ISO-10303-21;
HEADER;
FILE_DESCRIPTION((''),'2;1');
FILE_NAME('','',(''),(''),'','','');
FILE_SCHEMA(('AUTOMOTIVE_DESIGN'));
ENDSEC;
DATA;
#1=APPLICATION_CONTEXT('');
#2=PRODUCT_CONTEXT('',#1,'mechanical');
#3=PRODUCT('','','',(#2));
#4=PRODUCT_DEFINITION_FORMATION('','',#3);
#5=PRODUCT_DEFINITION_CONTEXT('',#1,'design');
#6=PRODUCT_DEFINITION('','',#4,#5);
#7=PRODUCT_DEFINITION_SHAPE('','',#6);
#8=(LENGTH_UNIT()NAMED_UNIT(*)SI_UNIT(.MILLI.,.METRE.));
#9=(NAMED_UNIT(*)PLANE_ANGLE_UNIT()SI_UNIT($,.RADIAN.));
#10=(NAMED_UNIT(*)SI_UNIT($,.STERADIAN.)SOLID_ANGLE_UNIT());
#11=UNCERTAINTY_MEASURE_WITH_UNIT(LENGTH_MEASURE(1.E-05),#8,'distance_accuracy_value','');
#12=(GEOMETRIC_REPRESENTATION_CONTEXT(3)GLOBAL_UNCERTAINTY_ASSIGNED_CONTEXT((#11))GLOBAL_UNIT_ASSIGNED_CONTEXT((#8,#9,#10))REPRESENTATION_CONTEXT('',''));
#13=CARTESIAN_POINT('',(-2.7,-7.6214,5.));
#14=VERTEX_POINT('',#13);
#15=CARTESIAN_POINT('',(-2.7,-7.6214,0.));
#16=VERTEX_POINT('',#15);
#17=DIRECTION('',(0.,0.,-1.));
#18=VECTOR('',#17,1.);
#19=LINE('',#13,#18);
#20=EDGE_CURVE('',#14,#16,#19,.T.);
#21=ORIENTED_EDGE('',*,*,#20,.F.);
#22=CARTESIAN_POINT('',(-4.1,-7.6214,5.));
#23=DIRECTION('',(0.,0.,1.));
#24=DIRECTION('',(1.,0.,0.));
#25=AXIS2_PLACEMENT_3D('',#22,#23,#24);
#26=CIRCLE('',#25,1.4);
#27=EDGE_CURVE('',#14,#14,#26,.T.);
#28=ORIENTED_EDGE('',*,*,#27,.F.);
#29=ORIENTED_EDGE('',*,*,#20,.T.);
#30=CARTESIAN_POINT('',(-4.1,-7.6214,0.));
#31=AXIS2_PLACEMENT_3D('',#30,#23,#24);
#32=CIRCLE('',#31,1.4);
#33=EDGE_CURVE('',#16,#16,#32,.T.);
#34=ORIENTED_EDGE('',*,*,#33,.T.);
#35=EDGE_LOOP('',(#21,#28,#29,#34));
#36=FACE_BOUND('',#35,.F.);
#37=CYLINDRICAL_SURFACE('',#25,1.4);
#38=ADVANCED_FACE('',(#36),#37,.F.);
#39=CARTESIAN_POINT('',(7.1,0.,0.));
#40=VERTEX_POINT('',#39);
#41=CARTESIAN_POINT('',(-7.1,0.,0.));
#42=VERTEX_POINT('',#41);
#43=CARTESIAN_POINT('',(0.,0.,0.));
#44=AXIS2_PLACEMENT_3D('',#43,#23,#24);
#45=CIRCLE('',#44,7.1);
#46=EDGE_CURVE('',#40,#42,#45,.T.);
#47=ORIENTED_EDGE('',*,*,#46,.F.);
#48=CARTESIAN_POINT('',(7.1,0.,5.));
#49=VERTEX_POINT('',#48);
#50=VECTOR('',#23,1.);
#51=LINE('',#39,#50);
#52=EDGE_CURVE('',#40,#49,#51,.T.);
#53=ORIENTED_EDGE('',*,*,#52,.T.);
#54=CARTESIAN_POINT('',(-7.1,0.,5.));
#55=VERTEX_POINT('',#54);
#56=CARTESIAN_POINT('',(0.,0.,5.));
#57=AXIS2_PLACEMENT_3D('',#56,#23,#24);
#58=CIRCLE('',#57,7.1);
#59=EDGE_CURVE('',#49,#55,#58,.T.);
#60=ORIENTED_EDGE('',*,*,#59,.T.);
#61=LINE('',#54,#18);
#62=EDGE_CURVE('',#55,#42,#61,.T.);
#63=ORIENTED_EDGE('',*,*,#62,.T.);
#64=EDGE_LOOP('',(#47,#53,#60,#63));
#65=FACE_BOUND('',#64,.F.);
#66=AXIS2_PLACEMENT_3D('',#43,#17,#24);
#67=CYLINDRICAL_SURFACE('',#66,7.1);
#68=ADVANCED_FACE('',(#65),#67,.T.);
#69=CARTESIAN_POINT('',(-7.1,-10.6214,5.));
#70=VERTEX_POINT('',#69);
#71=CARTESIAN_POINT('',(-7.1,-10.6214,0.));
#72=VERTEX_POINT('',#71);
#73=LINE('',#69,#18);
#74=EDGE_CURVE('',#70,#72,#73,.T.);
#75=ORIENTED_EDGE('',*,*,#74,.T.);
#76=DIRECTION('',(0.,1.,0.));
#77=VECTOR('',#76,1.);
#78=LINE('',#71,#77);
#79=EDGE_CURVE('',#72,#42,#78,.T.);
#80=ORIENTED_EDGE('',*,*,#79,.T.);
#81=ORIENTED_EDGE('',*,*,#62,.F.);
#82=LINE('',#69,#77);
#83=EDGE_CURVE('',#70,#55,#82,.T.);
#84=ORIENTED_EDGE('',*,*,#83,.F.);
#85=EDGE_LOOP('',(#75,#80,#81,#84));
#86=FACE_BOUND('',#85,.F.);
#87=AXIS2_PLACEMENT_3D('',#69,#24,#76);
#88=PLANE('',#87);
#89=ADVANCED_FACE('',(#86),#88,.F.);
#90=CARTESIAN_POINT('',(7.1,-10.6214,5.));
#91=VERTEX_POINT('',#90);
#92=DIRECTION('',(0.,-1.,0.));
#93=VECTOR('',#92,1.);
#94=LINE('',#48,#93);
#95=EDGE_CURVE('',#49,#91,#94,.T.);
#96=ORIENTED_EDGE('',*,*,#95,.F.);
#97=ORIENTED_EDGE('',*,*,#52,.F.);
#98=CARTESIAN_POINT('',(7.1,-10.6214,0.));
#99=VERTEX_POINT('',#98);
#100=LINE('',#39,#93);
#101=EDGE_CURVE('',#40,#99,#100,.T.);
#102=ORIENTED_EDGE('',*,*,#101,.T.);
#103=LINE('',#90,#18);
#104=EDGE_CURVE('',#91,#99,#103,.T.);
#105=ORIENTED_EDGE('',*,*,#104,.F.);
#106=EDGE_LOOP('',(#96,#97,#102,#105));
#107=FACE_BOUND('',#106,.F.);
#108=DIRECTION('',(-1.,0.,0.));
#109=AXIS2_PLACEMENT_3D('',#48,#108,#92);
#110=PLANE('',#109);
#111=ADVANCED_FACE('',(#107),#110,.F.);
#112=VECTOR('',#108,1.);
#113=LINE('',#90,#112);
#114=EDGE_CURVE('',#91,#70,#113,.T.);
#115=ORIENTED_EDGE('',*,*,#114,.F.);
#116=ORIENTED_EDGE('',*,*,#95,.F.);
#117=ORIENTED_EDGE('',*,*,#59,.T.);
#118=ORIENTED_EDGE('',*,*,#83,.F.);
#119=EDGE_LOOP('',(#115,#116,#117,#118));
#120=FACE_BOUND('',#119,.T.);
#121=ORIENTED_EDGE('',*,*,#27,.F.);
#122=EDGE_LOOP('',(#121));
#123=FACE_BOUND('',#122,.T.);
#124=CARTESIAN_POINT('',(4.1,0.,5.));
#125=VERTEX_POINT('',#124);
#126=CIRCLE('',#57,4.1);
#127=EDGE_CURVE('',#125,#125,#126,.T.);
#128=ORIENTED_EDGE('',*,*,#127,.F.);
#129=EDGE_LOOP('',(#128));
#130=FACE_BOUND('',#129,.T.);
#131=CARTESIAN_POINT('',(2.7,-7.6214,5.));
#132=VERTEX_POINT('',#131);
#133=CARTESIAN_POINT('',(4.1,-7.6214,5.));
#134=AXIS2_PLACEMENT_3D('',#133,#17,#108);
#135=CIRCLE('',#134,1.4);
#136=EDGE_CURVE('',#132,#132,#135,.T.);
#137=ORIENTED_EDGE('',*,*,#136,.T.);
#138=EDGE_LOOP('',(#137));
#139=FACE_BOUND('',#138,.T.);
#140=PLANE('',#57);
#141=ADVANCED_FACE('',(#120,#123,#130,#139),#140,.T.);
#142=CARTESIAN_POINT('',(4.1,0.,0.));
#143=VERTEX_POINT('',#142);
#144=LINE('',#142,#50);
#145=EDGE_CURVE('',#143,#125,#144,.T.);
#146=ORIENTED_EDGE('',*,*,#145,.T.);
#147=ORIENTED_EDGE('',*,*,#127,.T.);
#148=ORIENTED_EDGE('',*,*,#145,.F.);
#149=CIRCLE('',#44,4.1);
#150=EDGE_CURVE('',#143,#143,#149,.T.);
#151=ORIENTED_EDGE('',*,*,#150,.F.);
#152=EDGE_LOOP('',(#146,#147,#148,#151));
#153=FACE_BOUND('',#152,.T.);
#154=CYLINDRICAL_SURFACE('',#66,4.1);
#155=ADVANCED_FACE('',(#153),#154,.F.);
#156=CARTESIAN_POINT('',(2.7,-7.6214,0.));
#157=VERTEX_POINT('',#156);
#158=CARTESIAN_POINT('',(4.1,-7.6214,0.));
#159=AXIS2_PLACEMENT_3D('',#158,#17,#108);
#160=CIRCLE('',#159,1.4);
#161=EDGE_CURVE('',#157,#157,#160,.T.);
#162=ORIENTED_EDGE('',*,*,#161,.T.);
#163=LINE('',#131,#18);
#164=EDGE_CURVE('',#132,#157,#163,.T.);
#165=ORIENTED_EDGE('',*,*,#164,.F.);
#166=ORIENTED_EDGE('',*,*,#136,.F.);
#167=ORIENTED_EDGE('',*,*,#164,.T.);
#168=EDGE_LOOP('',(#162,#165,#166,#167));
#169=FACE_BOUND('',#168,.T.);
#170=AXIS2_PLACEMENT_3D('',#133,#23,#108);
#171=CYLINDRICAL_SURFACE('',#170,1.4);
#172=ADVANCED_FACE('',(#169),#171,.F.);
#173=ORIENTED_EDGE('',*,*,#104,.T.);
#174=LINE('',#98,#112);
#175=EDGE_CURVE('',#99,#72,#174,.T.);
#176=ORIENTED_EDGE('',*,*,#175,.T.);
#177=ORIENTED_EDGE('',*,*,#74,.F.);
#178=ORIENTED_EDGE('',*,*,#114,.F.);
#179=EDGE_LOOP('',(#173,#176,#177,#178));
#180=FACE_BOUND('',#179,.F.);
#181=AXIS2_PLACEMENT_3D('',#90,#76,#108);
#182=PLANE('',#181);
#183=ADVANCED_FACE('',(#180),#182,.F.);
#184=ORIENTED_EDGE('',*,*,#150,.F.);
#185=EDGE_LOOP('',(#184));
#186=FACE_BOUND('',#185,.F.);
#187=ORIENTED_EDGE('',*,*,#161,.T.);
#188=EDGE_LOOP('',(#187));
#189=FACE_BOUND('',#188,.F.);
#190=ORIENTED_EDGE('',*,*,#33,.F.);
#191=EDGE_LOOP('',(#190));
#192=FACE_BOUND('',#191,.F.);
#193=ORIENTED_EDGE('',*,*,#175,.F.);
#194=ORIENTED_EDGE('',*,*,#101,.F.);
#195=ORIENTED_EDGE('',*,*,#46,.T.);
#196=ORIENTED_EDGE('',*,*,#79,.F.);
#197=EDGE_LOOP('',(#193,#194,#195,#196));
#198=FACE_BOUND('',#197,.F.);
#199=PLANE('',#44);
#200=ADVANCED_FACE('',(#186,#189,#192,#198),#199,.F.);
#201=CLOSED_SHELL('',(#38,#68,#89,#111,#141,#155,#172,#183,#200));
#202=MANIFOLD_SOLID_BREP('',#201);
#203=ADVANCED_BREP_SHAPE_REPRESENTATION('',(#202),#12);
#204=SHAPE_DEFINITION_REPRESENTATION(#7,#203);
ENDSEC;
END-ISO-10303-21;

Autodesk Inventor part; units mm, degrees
ref_plane "YZ Plane" through (0, 0, 0) normal (1, 0, 0) x (0, 1, 0)
ref_plane "XZ Plane" through (0, 0, 0) normal (0, 1, 0) x (-1, 0, 0)
sketch "草图1" plane through (0, 0, 0) normal (0, 0, 1) x (1, 0, 0)
  circle A0 centre (0, 0) radius 4.1
  circle A1 centre (0, 0) radius 7.1
  dimension "d0" = 8.2
  dimension "d1" = 3
extrude "拉伸1" add sketch "草图1" along normal blind 5
sketch "草图2" plane through (0, 0, 5) normal (0, 0, 1) x (1, 0, 0)
  point P0 (0, 0)
sketch "草图3" plane through (0, 0, 5) normal (0, 0, 1) x (1, 0, 0)
  circle A0 centre (0, 0) radius 7.1 projected
  line L0 (-7.1, 0) -> (7.1, 0)
  line L1 (7.1, 0) -> (7.1, -10.6214)
  line L2 (7.1, -10.6214) -> (-7.1, -10.6214)
  line L3 (-7.1, -10.6214) -> (-7.1, 0)
  line L4 (-7.9158, -10.621) -> (28.0842, -10.6393) projected
  point P0 (7.1, 0)
extrude "拉伸2" add sketch "草图3" against normal blind 5 contours L1 L2 L3 A0
sketch "草图4" plane through (0, 0, 5) normal (0, 0, 1) x (1, 0, 0)
  circle A0 centre (-4.1, -7.6214) radius 1.4
  line L0 (-7.1, -10.6214) -> (7.1, -10.6214) projected
  line L1 (-7.1, 0) -> (-7.1, -10.6214) projected
  point P0 (0, 0)
  dimension "d6" = 2.8
  dimension "d7" = 3
  dimension "d8" = 3
extrude "拉伸3" cut sketch "草图4" against normal blind 5
ref_plane "工作平面1" through (0, -10.6214, 5) normal (1, 0, 0) x (0, 0, -1)
mirror "镜像1" about plane through (0, -10.6214, 5) normal (1, 0, 0) of "拉伸3"
properties part number "Z轴"
